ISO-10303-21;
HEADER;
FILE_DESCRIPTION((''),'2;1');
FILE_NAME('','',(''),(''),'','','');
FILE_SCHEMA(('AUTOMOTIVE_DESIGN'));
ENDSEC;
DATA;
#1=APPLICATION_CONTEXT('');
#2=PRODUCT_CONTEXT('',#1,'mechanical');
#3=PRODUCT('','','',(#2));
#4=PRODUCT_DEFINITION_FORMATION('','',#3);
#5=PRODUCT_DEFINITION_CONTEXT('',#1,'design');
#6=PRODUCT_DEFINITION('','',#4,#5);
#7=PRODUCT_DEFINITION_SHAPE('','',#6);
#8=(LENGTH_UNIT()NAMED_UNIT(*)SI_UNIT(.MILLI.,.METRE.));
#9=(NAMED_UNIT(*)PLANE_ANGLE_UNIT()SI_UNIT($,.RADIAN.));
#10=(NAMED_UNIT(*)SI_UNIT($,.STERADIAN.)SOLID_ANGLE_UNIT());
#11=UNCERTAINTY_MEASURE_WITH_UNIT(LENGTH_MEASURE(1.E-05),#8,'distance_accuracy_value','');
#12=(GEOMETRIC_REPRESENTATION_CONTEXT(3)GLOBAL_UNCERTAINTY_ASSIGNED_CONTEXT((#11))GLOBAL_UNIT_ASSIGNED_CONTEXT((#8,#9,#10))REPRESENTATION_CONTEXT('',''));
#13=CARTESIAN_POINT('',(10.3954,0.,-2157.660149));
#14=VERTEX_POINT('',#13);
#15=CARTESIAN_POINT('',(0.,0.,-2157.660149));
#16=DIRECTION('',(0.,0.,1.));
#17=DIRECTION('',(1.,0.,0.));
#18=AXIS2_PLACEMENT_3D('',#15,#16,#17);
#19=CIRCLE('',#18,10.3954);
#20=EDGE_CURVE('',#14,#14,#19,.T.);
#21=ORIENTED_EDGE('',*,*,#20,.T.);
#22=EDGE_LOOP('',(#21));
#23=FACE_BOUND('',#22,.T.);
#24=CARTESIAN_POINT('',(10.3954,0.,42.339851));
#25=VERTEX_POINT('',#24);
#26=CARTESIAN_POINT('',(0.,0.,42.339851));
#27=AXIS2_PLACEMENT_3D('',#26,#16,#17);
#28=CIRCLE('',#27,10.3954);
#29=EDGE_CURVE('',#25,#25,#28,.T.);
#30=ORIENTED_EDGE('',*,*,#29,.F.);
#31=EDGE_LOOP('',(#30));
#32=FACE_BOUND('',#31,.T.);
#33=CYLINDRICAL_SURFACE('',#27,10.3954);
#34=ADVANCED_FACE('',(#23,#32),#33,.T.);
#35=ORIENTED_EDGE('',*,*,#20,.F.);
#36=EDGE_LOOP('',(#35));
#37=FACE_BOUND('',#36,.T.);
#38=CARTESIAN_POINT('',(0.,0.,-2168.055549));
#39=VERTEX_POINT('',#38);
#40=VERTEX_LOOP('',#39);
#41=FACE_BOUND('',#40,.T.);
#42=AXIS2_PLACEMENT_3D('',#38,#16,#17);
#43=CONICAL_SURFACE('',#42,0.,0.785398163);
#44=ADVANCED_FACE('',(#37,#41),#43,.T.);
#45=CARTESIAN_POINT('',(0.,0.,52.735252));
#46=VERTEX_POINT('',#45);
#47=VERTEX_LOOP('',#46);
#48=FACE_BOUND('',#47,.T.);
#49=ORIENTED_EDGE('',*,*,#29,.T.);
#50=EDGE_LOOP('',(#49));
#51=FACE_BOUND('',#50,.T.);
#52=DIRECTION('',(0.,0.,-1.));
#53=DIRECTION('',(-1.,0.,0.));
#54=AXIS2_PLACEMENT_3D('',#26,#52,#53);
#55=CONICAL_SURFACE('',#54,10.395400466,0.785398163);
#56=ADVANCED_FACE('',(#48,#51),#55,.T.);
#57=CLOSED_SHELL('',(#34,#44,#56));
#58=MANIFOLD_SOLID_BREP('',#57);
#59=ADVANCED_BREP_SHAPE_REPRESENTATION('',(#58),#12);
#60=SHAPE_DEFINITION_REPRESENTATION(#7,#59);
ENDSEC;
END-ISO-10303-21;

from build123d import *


with BuildPart() as part:
    # Sketch1 → Revolve1 (revolve)
    with BuildSketch(Plane(origin=(0, 0, 0), x_dir=(0, 0, -1), z_dir=(1, 0, 0)), mode=Mode.PRIVATE) as revolve1_sk:
        Polygon((-52.735251665, 0), (-42.339851199, 10.395400466), (2157.660148801, 10.395400466), (2168.055549267, 0), (2057.660148801, 0), (-42.339851199, 0), align=None)
    revolve(revolve1_sk.sketch.rotate(Axis((0, 0, 42.339851199), (0, 0, -1)), 90), axis=Axis((0, 0, 42.339851199), (0, 0, -1)))


solid = part.part
